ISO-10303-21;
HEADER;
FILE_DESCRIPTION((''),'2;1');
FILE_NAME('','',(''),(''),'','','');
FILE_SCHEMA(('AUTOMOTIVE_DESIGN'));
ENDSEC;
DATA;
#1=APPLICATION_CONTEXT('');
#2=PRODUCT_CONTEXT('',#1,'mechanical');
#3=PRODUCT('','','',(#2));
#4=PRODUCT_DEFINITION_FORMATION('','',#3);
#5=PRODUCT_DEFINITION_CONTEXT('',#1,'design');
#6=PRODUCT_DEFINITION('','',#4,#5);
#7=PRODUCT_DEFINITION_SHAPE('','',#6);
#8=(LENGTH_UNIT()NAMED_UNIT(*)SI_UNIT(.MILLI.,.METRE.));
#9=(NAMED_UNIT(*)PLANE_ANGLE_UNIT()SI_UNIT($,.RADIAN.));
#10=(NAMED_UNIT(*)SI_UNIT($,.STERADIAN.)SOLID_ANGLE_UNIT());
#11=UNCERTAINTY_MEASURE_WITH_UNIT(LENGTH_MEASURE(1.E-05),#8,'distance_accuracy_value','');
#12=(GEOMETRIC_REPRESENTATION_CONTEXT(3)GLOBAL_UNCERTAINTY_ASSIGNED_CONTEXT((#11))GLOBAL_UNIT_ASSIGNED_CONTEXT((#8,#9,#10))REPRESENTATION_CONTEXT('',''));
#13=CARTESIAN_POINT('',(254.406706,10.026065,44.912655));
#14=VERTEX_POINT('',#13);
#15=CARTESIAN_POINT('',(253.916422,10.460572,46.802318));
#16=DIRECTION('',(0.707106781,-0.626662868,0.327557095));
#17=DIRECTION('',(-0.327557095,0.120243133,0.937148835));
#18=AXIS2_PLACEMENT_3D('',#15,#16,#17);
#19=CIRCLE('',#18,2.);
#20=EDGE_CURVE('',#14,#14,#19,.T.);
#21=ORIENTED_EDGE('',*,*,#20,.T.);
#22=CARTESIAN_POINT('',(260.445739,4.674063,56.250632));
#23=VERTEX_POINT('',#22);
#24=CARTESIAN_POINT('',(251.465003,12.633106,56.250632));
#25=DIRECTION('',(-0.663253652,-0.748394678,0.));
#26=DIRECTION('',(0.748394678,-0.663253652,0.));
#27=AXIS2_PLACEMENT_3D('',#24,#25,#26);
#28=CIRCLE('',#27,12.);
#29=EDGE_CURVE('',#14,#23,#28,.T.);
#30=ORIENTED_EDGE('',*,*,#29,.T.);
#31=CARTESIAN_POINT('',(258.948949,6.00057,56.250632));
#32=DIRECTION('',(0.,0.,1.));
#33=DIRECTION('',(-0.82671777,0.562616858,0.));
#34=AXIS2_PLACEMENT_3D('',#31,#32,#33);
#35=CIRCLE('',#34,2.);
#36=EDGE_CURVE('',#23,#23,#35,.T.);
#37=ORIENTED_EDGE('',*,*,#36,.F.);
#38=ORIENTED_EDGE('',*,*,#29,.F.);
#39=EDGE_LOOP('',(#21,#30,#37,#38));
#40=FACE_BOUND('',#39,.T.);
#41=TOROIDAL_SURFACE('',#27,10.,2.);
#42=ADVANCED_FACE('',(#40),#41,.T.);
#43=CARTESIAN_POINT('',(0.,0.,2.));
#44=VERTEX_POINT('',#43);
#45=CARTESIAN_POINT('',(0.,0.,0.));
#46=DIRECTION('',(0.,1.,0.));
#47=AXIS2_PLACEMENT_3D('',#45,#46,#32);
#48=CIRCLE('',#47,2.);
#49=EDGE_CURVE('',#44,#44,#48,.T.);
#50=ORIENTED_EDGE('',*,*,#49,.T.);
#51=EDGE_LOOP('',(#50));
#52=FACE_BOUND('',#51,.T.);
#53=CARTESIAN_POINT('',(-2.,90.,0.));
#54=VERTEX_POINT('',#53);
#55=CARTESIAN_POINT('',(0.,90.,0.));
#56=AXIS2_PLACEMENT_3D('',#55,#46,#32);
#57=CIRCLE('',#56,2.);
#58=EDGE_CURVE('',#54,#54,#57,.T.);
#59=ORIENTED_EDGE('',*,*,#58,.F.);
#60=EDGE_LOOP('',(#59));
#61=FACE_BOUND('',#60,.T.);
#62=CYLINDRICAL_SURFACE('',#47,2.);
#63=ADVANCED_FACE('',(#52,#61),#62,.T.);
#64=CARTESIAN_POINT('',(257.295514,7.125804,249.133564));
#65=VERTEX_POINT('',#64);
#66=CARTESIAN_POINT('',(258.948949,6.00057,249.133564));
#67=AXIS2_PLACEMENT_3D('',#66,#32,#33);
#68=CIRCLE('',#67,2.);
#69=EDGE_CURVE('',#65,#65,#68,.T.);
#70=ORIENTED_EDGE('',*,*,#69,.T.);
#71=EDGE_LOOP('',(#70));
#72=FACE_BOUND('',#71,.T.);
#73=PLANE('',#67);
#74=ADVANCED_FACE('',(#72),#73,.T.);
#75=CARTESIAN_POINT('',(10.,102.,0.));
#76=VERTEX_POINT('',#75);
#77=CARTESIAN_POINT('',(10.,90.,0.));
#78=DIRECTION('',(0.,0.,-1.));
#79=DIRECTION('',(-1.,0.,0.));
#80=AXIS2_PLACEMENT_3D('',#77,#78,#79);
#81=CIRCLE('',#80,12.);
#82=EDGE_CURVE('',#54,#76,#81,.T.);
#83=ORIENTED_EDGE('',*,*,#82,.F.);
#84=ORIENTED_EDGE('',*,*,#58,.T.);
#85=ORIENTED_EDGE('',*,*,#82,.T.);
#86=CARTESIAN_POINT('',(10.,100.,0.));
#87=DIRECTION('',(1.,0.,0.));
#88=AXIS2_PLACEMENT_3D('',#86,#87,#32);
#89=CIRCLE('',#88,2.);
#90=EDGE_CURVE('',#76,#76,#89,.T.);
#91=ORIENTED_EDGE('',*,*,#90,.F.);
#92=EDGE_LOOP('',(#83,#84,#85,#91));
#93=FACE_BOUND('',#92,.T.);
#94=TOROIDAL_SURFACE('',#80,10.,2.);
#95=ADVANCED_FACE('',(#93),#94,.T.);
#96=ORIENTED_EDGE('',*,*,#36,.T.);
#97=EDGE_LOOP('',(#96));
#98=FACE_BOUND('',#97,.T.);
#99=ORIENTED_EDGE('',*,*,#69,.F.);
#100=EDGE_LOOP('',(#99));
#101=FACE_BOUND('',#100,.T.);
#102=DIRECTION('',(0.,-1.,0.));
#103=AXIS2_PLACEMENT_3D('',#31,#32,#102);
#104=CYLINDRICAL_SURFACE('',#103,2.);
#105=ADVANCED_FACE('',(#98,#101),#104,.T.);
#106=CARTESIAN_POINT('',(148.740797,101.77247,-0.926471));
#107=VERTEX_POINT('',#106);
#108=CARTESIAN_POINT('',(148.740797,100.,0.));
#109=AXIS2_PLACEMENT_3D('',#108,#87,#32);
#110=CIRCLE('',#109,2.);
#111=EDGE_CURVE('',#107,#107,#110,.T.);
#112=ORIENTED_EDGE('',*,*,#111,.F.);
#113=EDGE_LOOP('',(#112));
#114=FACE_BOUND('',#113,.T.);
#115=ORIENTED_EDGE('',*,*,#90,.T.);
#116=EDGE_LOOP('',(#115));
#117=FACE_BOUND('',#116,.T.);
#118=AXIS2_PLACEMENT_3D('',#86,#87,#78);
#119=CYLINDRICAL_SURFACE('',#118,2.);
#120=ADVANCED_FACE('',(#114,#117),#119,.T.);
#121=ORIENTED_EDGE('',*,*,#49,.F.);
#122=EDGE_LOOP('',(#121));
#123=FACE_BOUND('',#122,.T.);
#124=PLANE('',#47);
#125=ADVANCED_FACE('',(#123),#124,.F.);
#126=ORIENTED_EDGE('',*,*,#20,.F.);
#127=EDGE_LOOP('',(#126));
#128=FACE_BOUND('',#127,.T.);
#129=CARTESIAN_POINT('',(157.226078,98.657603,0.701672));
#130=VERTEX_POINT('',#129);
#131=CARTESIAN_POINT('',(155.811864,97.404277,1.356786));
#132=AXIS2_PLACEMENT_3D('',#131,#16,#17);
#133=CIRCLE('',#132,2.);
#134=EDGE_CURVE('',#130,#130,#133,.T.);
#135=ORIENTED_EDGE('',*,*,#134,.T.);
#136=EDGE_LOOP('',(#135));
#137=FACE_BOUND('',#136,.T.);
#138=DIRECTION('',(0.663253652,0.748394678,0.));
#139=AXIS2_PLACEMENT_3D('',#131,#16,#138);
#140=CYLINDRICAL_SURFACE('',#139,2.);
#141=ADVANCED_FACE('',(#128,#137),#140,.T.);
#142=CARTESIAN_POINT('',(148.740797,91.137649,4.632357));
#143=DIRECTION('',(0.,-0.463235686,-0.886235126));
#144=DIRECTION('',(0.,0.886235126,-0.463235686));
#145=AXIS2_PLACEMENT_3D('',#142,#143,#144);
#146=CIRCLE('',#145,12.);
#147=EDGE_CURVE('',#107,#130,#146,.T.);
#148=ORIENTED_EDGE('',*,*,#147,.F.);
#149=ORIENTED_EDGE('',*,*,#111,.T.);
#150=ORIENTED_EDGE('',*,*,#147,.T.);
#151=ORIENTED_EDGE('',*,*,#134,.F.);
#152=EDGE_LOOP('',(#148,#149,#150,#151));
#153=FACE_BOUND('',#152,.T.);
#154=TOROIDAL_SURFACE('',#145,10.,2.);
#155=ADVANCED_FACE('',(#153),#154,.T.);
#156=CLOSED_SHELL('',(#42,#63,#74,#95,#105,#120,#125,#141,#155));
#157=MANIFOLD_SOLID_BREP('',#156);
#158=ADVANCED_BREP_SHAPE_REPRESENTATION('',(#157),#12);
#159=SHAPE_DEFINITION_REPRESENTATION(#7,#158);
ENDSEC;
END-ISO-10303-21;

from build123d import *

# Parameters (mm, degrees)
SKETCH2_R = 2


with BuildPart() as part:
    # Sweep1: sweep along a curve in space
    with BuildLine() as sweep1_path:
        Line((0, 0, 0), (0, 90, 0))
        ThreePointArc((10, 100, 0), (2.928932188, 97.071067812, 0), (0, 90, 0))
        Line((10, 100, 0), (148.740796563, 100, 0))
        ThreePointArc((155.811864375, 97.404277412, 1.356785911), (152.567630886, 99.325393679, 0.35261717), (148.740796563, 100, 0))
        Line((155.811864375, 97.404277412, 1.356785911), (253.916422451, 10.460571975, 46.802318149))
        ThreePointArc((253.916422451, 10.460571975, 46.802318149), (257.562369033, 7.229406045, 50.452171424), (258.948949365, 6.00056985, 56.250632018))
        Line((258.948949365, 6.00056985, 56.250632018), (258.948949365, 6.00056985, 249.133564205))
    # Sketch2 → Sweep1 (sweep)
    with BuildSketch(Plane(origin=(0, 0, 0), x_dir=(1, 0, 0), z_dir=(0, 1, 0))):
        Circle(SKETCH2_R)
    sweep(path=sweep1_path.line)


solid = part.part
